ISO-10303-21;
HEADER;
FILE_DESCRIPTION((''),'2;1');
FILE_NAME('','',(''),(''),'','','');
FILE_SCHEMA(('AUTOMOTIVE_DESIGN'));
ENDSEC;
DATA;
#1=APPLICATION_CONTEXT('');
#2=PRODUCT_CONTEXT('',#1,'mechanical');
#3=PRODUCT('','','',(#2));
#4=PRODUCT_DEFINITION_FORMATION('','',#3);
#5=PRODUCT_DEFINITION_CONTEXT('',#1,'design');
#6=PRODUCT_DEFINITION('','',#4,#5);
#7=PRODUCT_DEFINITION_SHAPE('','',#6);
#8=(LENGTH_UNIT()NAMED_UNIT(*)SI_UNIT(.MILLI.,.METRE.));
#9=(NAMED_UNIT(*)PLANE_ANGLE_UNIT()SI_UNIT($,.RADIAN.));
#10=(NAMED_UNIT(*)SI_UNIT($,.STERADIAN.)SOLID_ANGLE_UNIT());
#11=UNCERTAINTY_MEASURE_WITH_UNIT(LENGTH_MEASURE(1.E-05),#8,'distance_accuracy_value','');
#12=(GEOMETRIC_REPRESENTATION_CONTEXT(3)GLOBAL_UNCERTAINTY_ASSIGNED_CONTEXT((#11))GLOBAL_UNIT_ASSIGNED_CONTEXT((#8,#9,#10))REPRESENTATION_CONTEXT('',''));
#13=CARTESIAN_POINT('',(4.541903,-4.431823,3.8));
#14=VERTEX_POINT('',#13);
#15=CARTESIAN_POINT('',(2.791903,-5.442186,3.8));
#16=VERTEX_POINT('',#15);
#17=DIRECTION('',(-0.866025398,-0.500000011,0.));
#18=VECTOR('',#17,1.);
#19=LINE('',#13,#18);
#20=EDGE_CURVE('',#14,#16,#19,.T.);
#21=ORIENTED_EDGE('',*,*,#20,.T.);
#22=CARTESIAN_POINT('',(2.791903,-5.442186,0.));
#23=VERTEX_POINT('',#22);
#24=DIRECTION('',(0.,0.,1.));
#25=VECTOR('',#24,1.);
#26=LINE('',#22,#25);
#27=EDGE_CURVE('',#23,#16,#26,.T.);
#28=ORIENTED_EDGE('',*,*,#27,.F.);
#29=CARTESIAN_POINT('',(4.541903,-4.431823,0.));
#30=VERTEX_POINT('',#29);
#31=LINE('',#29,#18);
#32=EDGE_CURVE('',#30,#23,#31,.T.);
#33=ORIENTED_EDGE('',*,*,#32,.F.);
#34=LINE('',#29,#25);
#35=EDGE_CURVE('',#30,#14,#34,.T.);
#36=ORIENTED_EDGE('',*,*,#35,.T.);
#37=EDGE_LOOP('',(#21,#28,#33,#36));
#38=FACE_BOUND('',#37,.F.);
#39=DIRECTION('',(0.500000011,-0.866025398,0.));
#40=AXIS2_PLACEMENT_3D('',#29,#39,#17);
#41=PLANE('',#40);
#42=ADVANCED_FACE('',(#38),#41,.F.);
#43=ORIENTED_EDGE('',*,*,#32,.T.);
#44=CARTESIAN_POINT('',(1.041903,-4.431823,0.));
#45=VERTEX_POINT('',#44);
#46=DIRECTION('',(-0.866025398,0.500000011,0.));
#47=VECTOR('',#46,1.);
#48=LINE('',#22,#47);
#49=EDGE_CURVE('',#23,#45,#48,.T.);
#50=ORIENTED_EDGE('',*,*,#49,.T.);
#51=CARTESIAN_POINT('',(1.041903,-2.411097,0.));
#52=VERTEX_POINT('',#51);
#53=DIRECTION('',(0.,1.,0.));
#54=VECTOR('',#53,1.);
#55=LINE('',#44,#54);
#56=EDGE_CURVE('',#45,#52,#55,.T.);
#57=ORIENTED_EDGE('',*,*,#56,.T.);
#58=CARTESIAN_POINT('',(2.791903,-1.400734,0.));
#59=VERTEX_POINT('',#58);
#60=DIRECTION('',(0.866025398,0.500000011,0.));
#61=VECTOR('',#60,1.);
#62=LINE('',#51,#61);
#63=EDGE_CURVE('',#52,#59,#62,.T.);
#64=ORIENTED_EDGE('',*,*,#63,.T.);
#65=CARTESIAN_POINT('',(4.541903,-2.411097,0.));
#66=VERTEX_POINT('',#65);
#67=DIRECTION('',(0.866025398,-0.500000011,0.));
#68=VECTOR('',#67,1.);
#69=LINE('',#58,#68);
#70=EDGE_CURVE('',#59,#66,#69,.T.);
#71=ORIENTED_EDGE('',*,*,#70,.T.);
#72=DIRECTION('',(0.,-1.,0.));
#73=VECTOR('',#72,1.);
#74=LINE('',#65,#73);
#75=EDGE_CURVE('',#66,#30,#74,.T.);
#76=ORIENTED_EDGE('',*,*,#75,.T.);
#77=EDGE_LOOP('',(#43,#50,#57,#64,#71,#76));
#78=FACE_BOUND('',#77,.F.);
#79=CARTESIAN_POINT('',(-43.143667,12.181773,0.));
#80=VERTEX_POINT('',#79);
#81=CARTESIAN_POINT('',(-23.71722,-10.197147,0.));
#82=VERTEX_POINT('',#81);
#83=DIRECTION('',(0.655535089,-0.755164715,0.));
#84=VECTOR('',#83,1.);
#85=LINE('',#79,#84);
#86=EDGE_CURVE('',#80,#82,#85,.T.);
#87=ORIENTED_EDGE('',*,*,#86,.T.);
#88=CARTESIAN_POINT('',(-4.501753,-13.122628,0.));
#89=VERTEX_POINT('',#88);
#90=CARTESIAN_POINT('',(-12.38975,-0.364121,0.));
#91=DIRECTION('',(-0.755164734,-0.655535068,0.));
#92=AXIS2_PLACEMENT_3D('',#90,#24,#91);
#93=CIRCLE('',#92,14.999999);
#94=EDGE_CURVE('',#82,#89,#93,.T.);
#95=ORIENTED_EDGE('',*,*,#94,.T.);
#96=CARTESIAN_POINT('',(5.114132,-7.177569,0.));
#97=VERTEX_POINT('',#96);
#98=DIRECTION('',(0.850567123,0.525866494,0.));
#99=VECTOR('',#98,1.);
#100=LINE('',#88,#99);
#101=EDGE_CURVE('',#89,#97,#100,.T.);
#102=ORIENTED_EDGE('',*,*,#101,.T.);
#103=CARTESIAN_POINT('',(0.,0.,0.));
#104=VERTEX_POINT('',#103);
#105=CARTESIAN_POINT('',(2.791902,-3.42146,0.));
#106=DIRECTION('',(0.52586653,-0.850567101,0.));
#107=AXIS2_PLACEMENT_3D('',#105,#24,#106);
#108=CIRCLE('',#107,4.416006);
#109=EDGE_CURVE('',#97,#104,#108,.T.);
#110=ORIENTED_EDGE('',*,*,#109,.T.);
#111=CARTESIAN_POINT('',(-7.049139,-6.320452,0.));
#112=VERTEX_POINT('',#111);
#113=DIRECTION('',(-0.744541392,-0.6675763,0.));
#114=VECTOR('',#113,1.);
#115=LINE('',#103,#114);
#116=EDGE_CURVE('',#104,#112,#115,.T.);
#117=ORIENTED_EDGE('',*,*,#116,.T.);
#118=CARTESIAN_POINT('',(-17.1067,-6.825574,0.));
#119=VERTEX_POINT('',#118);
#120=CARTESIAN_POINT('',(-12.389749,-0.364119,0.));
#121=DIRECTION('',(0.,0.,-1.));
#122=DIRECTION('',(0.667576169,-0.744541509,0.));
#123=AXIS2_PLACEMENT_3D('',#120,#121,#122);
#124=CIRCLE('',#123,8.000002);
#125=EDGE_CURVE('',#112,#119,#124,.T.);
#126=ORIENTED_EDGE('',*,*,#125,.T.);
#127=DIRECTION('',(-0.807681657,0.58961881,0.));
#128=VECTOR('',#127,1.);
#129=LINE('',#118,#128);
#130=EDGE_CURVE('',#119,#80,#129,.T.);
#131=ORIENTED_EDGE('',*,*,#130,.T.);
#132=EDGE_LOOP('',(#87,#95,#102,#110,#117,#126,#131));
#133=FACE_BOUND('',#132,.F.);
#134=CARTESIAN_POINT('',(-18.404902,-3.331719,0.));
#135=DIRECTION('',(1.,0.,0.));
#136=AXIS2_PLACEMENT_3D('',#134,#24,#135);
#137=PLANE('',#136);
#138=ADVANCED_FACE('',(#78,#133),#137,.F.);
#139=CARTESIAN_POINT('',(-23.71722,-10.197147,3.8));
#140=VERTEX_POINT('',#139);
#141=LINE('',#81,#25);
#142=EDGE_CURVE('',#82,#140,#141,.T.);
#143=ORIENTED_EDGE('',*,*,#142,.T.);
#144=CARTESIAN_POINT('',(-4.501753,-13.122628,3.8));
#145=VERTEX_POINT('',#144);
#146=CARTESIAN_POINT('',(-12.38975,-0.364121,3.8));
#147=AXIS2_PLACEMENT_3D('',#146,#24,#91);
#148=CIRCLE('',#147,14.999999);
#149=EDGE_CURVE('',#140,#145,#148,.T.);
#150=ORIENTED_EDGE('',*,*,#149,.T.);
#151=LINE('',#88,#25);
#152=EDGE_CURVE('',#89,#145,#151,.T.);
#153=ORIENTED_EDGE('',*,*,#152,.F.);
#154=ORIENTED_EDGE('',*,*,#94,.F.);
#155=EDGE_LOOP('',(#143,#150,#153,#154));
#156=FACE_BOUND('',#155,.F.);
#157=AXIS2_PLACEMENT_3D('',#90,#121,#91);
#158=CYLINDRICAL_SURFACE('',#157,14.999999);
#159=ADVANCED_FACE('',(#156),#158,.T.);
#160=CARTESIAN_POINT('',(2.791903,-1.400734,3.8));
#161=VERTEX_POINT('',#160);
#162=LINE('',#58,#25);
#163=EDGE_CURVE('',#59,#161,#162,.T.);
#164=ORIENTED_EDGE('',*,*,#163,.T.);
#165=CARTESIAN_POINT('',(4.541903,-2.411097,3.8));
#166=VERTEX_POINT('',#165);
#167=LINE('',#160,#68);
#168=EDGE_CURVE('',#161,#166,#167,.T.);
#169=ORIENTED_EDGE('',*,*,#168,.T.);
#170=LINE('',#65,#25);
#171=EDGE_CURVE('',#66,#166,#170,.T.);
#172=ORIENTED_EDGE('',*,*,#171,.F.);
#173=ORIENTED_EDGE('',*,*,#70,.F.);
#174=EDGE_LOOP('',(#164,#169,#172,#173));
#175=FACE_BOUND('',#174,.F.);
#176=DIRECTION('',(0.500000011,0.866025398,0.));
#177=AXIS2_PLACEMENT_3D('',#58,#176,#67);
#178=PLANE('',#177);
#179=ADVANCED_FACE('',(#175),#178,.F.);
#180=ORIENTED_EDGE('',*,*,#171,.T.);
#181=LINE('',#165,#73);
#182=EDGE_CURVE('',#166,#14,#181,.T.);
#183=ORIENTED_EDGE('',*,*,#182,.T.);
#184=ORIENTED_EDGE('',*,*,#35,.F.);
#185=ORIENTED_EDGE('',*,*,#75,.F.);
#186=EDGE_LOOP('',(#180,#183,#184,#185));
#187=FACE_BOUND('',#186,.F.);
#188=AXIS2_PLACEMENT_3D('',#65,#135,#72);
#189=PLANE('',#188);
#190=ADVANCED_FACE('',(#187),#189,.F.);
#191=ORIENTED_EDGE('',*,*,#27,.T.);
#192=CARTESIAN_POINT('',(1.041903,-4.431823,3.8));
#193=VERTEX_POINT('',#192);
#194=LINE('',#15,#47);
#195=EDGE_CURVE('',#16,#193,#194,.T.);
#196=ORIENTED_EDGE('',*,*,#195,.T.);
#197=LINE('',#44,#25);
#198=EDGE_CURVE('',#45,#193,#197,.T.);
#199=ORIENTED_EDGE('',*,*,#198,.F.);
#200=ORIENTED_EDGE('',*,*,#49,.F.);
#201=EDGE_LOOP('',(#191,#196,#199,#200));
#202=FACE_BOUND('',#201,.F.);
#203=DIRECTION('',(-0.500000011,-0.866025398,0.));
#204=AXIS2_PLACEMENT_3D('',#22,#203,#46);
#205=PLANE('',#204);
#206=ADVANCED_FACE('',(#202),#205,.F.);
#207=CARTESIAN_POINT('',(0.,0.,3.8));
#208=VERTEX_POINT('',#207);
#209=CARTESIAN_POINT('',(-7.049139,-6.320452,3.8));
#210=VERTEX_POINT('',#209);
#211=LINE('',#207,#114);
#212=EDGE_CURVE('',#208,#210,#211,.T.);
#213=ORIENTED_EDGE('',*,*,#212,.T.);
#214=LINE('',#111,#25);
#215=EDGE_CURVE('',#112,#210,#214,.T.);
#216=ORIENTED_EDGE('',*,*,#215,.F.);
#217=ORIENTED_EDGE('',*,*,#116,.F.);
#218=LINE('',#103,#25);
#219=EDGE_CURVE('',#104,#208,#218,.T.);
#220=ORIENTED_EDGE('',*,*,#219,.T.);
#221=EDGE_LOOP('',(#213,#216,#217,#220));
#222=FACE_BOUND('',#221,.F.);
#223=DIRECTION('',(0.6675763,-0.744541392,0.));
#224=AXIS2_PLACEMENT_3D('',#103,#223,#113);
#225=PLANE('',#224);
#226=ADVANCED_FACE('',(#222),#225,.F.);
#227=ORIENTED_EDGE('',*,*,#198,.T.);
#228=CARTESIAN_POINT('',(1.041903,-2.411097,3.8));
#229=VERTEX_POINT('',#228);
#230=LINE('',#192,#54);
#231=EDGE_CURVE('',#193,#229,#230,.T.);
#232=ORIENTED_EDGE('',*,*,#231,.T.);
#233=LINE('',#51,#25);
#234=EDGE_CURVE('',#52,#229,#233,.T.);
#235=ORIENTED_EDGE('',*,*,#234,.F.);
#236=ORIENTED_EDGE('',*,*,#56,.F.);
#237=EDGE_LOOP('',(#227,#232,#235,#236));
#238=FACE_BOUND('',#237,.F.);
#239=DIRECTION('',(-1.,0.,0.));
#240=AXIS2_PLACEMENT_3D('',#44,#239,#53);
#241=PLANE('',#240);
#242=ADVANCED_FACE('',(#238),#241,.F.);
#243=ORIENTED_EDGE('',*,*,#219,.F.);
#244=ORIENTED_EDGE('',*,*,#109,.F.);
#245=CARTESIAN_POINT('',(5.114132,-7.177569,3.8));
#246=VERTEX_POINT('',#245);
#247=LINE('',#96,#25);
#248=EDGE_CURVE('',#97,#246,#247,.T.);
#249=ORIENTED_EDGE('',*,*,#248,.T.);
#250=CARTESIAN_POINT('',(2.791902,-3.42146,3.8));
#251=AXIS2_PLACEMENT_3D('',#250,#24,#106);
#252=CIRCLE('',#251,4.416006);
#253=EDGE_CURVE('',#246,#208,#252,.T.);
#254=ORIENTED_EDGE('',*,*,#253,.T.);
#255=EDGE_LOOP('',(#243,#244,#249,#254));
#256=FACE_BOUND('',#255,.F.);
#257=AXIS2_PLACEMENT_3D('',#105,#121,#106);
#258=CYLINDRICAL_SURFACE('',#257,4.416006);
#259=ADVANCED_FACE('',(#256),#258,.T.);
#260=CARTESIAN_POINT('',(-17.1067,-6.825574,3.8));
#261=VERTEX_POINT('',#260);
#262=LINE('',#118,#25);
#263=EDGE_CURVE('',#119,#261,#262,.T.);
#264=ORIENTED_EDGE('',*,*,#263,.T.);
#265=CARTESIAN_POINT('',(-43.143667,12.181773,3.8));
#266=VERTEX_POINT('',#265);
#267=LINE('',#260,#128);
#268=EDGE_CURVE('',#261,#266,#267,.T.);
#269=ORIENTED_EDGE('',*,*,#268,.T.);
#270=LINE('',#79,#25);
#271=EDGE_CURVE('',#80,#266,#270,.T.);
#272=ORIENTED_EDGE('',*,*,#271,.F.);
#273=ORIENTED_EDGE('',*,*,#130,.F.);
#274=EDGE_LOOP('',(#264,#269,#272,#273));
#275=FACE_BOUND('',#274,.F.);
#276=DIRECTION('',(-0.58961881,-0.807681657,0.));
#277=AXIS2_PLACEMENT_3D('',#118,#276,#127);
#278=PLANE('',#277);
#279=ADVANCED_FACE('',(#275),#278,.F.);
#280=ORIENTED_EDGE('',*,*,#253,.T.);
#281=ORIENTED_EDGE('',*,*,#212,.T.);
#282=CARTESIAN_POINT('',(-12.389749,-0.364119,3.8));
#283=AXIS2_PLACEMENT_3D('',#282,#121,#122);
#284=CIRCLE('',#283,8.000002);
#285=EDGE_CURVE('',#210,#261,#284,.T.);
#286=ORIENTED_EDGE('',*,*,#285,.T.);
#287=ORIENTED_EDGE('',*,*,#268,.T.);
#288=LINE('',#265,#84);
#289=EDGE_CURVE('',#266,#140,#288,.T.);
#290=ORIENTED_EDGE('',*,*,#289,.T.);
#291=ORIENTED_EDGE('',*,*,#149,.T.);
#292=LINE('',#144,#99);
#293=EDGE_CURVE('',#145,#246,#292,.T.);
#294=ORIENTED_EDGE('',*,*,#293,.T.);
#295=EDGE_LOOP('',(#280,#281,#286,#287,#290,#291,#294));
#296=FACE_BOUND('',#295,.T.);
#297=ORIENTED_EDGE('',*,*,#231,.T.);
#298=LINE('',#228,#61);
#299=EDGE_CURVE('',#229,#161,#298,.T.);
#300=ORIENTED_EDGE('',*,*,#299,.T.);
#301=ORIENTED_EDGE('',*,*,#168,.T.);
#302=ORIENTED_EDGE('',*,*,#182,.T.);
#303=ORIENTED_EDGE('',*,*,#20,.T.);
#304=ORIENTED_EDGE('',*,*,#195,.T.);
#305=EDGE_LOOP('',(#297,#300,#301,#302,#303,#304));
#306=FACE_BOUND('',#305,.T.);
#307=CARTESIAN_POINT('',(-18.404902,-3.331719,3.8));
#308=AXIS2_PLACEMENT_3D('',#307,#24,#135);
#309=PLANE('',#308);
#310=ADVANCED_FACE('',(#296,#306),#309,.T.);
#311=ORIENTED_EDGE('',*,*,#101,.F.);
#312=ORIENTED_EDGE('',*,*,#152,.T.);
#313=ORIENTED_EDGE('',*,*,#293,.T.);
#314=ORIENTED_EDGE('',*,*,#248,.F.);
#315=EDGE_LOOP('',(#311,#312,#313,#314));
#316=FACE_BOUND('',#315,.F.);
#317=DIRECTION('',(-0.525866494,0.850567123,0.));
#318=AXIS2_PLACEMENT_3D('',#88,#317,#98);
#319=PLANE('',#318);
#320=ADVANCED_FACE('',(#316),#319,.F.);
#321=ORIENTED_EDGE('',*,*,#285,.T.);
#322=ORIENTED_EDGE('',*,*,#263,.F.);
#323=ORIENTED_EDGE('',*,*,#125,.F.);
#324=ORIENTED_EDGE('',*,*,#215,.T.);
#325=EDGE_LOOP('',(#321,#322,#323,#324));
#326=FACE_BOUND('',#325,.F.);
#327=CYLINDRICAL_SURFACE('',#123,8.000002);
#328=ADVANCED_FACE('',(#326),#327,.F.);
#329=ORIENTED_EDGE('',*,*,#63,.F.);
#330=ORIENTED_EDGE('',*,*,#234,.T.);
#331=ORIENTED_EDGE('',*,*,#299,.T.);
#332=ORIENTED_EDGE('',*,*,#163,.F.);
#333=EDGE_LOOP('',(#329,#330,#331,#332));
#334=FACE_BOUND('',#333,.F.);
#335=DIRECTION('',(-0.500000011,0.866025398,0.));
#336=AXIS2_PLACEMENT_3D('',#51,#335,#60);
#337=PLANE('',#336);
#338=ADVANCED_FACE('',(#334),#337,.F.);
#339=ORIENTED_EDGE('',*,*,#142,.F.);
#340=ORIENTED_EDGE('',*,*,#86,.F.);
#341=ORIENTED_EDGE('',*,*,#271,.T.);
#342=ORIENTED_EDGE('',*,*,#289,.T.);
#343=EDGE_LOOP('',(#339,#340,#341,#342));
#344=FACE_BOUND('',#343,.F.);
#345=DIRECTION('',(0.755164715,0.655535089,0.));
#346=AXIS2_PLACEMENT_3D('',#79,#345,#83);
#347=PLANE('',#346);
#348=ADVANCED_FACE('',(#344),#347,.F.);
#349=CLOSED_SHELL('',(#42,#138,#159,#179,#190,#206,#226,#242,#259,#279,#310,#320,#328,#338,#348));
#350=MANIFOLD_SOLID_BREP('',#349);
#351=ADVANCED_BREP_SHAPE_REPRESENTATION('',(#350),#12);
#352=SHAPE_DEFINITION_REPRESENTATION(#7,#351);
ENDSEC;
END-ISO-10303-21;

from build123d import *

# Parameters (mm, degrees)
F1_DEPTH = 3.8


with BuildPart() as f1:
    # F0 (on Top) → F1 (new body)
    with BuildSketch(Plane.XY):
        with BuildLine():
            Line((0, 0), (-7.049139, -6.320452))
            ThreePointArc((-7.049139, -6.320452), (-11.988471, -8.35405), (-17.1067, -6.825574))
            Line((-17.1067, -6.825574), (-43.143667, 12.181773))
            Line((-43.143667, 12.181773), (-23.71722, -10.197147))
            ThreePointArc((-23.71722, -10.197147), (-14.647426, -15.193244), (-4.501753, -13.122628))
            Line((-4.501753, -13.122628), (5.114132, -7.177569))
            ThreePointArc((5.114132, -7.177569), (6.388362, -0.858925), (0, 0))
        make_face()
        Polygon((2.791903, -5.442186), (1.041903, -4.431823), (1.041903, -2.411097), (2.791903, -1.400734), (4.541903, -2.411097), (4.541903, -4.431823), align=None, mode=Mode.SUBTRACT)
    extrude(amount=F1_DEPTH)


solid = f1.part
